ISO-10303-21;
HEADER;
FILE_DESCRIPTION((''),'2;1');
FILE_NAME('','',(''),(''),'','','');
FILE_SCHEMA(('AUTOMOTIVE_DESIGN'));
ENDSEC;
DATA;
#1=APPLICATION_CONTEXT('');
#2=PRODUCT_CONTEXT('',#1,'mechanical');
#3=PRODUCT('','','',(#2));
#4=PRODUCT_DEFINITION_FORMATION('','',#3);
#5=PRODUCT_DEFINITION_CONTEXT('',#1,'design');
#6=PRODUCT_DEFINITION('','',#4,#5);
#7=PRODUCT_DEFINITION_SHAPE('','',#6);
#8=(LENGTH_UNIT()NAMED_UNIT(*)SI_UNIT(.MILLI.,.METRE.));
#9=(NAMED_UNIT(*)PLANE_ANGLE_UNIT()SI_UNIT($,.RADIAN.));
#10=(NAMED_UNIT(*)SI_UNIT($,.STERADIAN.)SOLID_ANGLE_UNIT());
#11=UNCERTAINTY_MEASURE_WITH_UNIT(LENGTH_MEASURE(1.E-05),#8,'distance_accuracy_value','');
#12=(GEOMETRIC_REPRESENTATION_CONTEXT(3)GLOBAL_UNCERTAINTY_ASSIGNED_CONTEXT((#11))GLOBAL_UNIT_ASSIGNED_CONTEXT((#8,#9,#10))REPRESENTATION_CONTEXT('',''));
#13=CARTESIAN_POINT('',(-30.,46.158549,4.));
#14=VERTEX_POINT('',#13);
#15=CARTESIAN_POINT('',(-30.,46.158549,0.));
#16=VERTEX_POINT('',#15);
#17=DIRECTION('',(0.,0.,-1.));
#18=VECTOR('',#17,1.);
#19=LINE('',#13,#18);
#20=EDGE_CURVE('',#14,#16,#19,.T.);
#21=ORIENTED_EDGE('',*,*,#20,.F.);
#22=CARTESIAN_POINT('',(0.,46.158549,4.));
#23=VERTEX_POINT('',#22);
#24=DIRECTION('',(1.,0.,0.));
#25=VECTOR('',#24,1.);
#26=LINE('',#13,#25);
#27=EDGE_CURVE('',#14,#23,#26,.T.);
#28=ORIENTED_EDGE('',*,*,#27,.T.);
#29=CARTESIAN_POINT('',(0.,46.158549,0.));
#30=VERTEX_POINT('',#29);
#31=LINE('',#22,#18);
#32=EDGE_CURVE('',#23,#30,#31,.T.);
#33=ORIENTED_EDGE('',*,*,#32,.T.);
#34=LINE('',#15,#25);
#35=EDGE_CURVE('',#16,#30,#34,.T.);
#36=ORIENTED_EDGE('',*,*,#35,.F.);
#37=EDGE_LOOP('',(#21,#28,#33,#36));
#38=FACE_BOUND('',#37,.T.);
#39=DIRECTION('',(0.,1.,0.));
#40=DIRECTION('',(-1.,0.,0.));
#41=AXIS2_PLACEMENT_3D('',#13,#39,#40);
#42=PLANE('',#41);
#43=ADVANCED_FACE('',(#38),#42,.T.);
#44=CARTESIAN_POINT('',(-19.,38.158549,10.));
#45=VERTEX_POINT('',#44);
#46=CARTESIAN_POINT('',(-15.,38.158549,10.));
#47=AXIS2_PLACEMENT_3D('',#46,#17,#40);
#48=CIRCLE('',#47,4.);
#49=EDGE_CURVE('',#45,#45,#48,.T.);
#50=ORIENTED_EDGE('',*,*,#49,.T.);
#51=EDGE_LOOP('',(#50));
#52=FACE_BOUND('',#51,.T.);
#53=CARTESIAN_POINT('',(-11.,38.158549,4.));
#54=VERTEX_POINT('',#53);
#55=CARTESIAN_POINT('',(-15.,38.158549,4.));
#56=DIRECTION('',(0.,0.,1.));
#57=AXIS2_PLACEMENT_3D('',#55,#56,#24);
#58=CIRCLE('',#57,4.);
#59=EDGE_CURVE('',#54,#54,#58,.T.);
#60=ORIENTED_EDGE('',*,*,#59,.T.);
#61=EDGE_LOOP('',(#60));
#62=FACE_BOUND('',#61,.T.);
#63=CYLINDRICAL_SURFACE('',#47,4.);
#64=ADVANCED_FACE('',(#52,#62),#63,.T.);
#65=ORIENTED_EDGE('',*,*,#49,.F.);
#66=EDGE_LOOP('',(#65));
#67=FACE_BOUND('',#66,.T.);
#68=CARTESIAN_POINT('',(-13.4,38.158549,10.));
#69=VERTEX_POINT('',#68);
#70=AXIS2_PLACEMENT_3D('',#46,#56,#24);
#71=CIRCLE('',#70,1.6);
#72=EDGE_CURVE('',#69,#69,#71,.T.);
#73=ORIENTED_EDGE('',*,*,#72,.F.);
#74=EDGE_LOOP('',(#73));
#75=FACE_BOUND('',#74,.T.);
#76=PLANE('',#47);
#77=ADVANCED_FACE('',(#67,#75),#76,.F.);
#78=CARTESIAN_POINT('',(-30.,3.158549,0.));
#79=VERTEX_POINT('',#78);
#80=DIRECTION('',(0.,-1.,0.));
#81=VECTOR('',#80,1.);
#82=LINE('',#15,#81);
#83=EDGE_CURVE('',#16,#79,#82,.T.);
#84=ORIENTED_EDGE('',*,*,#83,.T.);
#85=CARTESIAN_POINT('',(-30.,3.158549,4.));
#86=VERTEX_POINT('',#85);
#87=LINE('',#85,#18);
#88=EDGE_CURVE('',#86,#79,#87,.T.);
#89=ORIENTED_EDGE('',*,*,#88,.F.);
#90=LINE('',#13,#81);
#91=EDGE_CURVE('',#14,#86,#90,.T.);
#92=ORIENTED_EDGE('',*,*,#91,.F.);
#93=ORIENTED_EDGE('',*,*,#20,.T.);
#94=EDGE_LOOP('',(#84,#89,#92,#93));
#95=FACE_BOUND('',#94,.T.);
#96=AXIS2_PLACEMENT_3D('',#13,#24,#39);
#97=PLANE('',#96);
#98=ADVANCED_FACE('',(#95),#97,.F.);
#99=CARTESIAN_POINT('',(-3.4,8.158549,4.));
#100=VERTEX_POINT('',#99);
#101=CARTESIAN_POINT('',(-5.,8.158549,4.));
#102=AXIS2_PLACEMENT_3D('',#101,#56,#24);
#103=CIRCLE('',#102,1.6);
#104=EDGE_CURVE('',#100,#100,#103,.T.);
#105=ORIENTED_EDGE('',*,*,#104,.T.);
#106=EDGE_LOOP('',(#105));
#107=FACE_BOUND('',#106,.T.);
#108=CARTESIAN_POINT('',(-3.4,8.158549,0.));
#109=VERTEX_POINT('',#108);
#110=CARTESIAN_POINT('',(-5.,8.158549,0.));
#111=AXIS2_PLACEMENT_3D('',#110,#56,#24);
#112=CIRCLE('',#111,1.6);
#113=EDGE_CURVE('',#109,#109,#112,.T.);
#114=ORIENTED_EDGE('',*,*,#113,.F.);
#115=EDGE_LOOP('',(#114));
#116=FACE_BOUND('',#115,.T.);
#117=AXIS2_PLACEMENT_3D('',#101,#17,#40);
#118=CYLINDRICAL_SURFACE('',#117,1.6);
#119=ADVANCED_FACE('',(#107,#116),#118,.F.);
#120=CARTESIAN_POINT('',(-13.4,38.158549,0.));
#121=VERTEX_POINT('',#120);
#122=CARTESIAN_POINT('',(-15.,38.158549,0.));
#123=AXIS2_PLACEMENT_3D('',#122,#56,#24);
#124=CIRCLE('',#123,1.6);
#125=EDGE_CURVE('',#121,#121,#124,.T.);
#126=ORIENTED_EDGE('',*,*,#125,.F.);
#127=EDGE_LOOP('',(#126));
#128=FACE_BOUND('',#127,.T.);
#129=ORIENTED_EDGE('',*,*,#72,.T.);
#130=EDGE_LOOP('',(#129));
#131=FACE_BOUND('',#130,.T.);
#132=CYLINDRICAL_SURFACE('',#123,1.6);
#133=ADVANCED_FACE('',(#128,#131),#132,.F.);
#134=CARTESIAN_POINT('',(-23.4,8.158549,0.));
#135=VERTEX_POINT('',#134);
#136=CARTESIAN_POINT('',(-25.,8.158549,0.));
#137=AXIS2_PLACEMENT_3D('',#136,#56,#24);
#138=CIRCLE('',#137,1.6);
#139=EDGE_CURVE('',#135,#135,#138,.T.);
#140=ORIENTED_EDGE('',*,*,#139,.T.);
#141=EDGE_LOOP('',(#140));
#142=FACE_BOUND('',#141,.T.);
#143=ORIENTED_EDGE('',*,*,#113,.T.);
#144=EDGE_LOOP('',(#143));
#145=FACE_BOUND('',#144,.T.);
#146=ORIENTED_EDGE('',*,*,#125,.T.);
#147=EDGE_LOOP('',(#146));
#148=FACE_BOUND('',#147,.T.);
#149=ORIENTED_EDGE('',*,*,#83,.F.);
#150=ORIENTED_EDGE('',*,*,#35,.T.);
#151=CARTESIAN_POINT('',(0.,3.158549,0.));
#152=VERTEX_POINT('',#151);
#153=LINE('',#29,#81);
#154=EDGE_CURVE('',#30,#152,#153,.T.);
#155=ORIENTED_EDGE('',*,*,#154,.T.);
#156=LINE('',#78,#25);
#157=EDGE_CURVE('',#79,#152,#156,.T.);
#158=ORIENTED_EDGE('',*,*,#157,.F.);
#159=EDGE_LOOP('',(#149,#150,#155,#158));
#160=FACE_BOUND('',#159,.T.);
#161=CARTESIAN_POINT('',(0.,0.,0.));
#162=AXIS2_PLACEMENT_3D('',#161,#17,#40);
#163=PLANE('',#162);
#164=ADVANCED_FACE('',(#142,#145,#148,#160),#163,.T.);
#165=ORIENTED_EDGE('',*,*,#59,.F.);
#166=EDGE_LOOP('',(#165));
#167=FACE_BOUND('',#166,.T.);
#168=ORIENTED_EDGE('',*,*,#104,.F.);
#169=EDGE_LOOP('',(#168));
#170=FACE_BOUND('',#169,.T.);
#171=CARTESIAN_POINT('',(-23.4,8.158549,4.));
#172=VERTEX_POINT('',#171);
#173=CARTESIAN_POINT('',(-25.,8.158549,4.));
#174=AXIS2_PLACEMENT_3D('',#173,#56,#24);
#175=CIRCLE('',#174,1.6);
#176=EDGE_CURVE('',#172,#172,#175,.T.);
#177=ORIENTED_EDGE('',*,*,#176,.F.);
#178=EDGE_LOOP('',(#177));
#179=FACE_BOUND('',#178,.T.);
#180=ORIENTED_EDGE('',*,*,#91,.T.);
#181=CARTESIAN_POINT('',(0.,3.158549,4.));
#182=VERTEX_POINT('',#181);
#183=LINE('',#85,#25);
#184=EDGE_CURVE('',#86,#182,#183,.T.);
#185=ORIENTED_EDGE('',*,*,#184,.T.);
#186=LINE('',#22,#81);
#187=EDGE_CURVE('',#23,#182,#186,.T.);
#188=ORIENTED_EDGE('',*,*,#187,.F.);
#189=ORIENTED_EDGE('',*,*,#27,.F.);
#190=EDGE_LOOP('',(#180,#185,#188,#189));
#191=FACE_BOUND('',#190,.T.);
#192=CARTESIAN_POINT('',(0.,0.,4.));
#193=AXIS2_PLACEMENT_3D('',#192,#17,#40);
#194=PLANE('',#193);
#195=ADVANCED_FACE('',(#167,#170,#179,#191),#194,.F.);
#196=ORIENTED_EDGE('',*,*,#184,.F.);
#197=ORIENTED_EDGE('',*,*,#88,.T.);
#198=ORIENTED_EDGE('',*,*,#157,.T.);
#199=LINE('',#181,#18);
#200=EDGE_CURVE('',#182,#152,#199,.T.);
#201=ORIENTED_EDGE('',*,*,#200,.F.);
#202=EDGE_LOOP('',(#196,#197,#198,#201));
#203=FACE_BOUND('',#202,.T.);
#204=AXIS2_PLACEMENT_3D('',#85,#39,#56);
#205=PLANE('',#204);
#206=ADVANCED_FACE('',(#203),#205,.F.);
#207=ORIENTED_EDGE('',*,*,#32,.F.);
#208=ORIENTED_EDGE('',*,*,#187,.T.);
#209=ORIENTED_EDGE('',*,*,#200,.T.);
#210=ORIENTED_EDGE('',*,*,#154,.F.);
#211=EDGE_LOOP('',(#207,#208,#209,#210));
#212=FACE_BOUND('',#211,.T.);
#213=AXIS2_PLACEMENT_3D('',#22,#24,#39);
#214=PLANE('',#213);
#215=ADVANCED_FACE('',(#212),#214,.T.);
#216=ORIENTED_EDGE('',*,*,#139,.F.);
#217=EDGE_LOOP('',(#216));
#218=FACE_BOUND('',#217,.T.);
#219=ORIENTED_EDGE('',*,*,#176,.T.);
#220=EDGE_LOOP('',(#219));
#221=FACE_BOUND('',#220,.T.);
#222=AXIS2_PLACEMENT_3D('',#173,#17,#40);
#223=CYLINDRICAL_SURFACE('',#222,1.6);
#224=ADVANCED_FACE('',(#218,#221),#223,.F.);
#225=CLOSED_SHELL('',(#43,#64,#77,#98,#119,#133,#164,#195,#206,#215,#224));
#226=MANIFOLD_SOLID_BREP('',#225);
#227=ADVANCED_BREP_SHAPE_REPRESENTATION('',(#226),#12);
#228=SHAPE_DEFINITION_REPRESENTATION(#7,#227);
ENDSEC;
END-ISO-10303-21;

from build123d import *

# Parameters (mm, degrees)
SKETCH_1_W          = 30
SKETCH_1_H          = 43
SKETCH_1_R          = 1.6
SKETCH_1_R_2        = 4
EXTRUDE_1_DEPTH     = 4
EXTRUDE_START       = -4
SKETCH_2_R          = 4
EXTRUDE_2_DEPTH     = 10
SKETCH_3_R          = 1.6
CUT_EXTRUDE_1_DEPTH = 11


with BuildPart() as part:
    # 草图1 → 凸台-拉伸1 (new body)
    with BuildSketch(Plane.XY):
        with Locations((-15, 24.658548848)):
            Rectangle(SKETCH_1_W, SKETCH_1_H)
        with Locations((-5, 8.158548848)):
            Circle(SKETCH_1_R, mode=Mode.SUBTRACT)
        with Locations((-25, 8.158548848)):
            Circle(SKETCH_1_R, mode=Mode.SUBTRACT)
        with Locations((-15, 38.158548848)):
            Circle(SKETCH_1_R_2, mode=Mode.SUBTRACT)
    extrude(amount=EXTRUDE_1_DEPTH)

    # 草图2 → 凸台-拉伸2 (add)
    with BuildSketch(Plane.XY.offset(4).offset(EXTRUDE_START)):
        with Locations((-15, 38.158548848)):
            Circle(SKETCH_2_R)
    extrude(amount=EXTRUDE_2_DEPTH)

    # 草图3 → 切除-拉伸1 (cut, through all)
    with BuildSketch(Plane.XY.offset(10)):
        with Locations((-15, 38.158548848)):
            Circle(SKETCH_3_R)
    extrude(amount=-CUT_EXTRUDE_1_DEPTH, mode=Mode.SUBTRACT)


solid = part.part
